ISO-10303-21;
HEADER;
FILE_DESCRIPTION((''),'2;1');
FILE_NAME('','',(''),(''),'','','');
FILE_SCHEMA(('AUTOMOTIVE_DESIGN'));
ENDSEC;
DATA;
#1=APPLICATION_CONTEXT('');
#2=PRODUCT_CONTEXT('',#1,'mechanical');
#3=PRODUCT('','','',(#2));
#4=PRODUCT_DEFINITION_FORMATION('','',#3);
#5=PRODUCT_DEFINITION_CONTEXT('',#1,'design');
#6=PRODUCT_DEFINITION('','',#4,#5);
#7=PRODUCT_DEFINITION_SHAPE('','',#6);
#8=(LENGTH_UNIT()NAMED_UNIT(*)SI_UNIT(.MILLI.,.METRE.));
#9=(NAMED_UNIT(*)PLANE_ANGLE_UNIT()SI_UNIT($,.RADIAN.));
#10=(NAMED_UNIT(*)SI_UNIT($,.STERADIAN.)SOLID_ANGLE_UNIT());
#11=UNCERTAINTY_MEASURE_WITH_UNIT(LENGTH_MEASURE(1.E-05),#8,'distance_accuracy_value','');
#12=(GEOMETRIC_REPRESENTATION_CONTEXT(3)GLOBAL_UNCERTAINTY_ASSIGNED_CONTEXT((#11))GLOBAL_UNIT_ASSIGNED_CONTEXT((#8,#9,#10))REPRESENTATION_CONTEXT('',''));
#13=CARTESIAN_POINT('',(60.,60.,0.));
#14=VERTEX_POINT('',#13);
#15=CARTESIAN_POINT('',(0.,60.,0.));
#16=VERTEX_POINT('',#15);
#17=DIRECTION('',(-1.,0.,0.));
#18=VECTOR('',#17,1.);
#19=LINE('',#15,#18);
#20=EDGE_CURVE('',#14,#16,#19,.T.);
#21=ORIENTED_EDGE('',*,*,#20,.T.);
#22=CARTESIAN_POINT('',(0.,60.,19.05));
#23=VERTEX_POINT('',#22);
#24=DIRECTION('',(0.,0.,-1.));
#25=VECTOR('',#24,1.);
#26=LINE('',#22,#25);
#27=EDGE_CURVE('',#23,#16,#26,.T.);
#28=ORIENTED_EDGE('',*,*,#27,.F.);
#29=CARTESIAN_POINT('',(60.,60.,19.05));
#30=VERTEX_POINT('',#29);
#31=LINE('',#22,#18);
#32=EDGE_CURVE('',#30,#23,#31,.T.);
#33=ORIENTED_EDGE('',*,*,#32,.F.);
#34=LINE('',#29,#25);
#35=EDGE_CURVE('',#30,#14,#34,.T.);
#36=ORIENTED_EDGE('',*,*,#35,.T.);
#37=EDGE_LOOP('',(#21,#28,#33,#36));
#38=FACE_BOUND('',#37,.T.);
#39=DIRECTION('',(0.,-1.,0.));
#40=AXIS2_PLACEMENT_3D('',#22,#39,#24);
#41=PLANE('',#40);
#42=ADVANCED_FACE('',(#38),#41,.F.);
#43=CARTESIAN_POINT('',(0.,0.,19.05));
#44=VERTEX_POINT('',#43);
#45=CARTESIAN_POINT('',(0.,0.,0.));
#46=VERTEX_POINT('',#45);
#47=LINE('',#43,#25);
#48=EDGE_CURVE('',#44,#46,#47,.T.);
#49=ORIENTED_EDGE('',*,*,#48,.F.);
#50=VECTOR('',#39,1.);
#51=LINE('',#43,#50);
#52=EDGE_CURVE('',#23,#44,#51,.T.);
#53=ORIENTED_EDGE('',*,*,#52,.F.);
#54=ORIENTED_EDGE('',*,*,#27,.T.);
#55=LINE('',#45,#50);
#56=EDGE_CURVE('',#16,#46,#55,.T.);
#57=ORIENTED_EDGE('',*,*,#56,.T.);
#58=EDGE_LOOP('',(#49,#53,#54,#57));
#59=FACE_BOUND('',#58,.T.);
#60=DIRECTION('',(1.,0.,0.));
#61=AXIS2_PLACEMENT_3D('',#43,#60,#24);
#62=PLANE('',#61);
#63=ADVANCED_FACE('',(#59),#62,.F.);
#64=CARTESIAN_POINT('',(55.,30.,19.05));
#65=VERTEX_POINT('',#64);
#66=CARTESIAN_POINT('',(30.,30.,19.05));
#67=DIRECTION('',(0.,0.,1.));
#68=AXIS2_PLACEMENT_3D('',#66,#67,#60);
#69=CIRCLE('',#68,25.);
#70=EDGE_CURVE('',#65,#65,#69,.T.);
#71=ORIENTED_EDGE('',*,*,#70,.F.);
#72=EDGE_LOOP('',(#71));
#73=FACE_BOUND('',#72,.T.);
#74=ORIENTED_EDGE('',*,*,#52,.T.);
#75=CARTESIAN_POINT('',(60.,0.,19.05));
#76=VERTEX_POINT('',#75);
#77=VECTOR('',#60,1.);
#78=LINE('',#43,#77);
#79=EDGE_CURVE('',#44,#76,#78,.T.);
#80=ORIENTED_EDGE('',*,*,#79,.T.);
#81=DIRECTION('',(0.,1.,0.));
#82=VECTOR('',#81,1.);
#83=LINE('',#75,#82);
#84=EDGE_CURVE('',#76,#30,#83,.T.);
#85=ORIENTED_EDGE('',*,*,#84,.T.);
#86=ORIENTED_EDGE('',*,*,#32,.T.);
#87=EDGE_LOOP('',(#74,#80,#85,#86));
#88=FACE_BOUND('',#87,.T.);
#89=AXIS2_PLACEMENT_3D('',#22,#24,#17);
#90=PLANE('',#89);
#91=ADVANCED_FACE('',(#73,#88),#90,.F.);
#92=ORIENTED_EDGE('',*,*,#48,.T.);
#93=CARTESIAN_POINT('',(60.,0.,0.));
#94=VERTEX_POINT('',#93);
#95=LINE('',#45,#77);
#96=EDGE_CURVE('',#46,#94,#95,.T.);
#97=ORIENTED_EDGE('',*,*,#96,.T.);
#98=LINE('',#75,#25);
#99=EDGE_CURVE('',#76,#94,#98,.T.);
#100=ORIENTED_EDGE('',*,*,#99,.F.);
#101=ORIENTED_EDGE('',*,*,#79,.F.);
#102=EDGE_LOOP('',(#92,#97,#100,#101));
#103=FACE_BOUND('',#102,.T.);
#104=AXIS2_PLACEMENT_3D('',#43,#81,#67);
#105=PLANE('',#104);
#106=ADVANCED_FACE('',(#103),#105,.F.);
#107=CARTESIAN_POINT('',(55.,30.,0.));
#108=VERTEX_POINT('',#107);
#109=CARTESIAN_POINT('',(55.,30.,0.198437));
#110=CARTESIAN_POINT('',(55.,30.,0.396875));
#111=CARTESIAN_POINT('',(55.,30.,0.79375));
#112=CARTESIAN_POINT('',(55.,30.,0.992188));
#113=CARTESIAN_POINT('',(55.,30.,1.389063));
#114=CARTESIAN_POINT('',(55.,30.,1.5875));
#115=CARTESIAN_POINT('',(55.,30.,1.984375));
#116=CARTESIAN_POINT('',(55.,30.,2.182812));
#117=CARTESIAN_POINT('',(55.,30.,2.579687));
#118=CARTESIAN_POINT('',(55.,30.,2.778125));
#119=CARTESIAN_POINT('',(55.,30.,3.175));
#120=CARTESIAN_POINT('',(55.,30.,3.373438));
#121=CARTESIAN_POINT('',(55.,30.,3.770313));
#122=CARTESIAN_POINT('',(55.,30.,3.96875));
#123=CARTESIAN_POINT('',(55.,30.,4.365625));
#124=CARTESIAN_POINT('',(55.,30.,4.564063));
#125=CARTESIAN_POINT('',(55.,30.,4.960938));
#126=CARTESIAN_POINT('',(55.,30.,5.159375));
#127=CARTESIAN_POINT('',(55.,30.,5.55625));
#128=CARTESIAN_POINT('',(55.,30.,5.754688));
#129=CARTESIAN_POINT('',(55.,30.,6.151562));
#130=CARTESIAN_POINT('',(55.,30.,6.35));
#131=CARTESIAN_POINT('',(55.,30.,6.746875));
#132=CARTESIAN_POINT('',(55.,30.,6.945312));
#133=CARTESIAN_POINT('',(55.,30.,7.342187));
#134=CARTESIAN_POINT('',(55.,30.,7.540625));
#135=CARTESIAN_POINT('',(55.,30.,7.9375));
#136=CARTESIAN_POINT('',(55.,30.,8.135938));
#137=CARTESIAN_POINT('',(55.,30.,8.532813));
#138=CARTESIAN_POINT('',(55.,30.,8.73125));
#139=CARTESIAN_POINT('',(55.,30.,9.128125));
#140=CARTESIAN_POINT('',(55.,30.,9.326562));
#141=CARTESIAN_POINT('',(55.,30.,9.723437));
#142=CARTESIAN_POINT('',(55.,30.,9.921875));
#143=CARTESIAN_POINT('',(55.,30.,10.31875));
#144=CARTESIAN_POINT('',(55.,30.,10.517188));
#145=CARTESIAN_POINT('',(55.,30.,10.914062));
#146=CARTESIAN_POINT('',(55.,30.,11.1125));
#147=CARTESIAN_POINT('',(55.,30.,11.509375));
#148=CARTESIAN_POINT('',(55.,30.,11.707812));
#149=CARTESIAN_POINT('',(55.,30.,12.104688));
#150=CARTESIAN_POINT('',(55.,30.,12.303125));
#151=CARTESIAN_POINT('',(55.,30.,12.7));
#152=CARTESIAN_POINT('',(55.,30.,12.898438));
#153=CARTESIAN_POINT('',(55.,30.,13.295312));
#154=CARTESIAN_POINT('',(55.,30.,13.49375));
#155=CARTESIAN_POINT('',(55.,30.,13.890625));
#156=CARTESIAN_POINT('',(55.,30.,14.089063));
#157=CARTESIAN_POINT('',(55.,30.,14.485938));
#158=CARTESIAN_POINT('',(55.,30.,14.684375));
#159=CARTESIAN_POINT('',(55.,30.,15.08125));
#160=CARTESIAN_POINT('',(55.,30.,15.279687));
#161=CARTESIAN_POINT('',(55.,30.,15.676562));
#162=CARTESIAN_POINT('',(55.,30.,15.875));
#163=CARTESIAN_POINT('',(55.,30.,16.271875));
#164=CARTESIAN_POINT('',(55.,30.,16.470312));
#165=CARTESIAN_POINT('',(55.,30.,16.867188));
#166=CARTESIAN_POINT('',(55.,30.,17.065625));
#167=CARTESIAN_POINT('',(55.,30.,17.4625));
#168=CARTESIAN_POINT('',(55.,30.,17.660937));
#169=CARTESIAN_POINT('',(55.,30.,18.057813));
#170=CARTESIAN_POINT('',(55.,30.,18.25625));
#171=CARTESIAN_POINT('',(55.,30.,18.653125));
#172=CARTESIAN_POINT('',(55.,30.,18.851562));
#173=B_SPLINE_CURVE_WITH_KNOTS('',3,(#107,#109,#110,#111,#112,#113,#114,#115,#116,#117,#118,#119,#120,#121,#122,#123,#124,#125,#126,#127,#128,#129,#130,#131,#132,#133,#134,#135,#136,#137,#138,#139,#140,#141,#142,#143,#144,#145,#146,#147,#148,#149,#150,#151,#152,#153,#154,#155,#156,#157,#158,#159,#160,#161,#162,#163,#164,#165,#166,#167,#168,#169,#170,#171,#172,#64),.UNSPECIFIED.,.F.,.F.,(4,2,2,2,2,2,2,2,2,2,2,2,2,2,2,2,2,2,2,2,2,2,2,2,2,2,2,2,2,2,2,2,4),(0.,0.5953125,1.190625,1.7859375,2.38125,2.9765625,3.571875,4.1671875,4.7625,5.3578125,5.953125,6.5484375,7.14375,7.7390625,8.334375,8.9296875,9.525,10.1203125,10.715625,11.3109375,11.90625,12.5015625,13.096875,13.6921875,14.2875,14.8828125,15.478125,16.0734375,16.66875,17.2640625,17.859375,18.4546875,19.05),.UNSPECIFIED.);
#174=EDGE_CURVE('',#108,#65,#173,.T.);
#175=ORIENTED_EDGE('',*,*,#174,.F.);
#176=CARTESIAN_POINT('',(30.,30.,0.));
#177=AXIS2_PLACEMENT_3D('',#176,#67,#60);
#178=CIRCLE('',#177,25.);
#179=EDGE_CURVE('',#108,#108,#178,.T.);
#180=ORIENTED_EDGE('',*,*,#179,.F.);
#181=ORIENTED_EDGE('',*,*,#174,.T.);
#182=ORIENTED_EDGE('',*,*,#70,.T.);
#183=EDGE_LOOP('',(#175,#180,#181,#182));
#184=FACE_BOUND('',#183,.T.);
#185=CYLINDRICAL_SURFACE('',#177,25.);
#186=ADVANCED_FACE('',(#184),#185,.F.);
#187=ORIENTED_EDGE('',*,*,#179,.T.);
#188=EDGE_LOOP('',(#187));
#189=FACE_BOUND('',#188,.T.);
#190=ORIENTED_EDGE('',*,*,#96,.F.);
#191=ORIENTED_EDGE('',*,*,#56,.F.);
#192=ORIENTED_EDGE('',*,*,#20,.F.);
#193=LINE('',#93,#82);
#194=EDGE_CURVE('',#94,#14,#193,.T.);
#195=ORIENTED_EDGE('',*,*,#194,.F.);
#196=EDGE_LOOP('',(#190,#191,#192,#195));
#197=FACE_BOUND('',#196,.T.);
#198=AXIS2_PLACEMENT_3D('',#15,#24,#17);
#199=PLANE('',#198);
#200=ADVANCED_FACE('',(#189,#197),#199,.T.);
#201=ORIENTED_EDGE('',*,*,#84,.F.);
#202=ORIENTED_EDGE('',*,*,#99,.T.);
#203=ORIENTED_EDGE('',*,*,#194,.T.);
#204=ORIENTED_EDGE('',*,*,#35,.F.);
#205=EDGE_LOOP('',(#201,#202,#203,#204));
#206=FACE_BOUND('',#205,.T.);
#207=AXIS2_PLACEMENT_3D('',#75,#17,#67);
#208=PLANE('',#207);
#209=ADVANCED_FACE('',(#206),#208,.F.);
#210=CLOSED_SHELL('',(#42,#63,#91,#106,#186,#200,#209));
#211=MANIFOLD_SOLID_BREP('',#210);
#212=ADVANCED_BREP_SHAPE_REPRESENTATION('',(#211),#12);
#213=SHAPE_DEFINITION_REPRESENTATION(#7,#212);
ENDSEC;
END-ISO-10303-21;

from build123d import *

# Parameters (mm, degrees)
SKETCH1_W           = 60
SKETCH1_H           = 60
BOSS_EXTRUDE1_DEPTH = 19.05
SKETCH2_R           = 25
CUT_EXTRUDE1_DEPTH  = 87.964949836


with BuildPart() as part:
    # Sketch1 → Boss-Extrude1 (new body)
    with BuildSketch(Plane.XY):
        with Locations((30, 30)):
            Rectangle(SKETCH1_W, SKETCH1_H)
    extrude(amount=BOSS_EXTRUDE1_DEPTH)

    # Sketch2 → Cut-Extrude1 (cut, through all)
    with BuildSketch(Plane.XY.offset(19.05)):
        with Locations((30, 30)):
            Circle(SKETCH2_R)
    extrude(amount=-CUT_EXTRUDE1_DEPTH, mode=Mode.SUBTRACT)


solid = part.part
